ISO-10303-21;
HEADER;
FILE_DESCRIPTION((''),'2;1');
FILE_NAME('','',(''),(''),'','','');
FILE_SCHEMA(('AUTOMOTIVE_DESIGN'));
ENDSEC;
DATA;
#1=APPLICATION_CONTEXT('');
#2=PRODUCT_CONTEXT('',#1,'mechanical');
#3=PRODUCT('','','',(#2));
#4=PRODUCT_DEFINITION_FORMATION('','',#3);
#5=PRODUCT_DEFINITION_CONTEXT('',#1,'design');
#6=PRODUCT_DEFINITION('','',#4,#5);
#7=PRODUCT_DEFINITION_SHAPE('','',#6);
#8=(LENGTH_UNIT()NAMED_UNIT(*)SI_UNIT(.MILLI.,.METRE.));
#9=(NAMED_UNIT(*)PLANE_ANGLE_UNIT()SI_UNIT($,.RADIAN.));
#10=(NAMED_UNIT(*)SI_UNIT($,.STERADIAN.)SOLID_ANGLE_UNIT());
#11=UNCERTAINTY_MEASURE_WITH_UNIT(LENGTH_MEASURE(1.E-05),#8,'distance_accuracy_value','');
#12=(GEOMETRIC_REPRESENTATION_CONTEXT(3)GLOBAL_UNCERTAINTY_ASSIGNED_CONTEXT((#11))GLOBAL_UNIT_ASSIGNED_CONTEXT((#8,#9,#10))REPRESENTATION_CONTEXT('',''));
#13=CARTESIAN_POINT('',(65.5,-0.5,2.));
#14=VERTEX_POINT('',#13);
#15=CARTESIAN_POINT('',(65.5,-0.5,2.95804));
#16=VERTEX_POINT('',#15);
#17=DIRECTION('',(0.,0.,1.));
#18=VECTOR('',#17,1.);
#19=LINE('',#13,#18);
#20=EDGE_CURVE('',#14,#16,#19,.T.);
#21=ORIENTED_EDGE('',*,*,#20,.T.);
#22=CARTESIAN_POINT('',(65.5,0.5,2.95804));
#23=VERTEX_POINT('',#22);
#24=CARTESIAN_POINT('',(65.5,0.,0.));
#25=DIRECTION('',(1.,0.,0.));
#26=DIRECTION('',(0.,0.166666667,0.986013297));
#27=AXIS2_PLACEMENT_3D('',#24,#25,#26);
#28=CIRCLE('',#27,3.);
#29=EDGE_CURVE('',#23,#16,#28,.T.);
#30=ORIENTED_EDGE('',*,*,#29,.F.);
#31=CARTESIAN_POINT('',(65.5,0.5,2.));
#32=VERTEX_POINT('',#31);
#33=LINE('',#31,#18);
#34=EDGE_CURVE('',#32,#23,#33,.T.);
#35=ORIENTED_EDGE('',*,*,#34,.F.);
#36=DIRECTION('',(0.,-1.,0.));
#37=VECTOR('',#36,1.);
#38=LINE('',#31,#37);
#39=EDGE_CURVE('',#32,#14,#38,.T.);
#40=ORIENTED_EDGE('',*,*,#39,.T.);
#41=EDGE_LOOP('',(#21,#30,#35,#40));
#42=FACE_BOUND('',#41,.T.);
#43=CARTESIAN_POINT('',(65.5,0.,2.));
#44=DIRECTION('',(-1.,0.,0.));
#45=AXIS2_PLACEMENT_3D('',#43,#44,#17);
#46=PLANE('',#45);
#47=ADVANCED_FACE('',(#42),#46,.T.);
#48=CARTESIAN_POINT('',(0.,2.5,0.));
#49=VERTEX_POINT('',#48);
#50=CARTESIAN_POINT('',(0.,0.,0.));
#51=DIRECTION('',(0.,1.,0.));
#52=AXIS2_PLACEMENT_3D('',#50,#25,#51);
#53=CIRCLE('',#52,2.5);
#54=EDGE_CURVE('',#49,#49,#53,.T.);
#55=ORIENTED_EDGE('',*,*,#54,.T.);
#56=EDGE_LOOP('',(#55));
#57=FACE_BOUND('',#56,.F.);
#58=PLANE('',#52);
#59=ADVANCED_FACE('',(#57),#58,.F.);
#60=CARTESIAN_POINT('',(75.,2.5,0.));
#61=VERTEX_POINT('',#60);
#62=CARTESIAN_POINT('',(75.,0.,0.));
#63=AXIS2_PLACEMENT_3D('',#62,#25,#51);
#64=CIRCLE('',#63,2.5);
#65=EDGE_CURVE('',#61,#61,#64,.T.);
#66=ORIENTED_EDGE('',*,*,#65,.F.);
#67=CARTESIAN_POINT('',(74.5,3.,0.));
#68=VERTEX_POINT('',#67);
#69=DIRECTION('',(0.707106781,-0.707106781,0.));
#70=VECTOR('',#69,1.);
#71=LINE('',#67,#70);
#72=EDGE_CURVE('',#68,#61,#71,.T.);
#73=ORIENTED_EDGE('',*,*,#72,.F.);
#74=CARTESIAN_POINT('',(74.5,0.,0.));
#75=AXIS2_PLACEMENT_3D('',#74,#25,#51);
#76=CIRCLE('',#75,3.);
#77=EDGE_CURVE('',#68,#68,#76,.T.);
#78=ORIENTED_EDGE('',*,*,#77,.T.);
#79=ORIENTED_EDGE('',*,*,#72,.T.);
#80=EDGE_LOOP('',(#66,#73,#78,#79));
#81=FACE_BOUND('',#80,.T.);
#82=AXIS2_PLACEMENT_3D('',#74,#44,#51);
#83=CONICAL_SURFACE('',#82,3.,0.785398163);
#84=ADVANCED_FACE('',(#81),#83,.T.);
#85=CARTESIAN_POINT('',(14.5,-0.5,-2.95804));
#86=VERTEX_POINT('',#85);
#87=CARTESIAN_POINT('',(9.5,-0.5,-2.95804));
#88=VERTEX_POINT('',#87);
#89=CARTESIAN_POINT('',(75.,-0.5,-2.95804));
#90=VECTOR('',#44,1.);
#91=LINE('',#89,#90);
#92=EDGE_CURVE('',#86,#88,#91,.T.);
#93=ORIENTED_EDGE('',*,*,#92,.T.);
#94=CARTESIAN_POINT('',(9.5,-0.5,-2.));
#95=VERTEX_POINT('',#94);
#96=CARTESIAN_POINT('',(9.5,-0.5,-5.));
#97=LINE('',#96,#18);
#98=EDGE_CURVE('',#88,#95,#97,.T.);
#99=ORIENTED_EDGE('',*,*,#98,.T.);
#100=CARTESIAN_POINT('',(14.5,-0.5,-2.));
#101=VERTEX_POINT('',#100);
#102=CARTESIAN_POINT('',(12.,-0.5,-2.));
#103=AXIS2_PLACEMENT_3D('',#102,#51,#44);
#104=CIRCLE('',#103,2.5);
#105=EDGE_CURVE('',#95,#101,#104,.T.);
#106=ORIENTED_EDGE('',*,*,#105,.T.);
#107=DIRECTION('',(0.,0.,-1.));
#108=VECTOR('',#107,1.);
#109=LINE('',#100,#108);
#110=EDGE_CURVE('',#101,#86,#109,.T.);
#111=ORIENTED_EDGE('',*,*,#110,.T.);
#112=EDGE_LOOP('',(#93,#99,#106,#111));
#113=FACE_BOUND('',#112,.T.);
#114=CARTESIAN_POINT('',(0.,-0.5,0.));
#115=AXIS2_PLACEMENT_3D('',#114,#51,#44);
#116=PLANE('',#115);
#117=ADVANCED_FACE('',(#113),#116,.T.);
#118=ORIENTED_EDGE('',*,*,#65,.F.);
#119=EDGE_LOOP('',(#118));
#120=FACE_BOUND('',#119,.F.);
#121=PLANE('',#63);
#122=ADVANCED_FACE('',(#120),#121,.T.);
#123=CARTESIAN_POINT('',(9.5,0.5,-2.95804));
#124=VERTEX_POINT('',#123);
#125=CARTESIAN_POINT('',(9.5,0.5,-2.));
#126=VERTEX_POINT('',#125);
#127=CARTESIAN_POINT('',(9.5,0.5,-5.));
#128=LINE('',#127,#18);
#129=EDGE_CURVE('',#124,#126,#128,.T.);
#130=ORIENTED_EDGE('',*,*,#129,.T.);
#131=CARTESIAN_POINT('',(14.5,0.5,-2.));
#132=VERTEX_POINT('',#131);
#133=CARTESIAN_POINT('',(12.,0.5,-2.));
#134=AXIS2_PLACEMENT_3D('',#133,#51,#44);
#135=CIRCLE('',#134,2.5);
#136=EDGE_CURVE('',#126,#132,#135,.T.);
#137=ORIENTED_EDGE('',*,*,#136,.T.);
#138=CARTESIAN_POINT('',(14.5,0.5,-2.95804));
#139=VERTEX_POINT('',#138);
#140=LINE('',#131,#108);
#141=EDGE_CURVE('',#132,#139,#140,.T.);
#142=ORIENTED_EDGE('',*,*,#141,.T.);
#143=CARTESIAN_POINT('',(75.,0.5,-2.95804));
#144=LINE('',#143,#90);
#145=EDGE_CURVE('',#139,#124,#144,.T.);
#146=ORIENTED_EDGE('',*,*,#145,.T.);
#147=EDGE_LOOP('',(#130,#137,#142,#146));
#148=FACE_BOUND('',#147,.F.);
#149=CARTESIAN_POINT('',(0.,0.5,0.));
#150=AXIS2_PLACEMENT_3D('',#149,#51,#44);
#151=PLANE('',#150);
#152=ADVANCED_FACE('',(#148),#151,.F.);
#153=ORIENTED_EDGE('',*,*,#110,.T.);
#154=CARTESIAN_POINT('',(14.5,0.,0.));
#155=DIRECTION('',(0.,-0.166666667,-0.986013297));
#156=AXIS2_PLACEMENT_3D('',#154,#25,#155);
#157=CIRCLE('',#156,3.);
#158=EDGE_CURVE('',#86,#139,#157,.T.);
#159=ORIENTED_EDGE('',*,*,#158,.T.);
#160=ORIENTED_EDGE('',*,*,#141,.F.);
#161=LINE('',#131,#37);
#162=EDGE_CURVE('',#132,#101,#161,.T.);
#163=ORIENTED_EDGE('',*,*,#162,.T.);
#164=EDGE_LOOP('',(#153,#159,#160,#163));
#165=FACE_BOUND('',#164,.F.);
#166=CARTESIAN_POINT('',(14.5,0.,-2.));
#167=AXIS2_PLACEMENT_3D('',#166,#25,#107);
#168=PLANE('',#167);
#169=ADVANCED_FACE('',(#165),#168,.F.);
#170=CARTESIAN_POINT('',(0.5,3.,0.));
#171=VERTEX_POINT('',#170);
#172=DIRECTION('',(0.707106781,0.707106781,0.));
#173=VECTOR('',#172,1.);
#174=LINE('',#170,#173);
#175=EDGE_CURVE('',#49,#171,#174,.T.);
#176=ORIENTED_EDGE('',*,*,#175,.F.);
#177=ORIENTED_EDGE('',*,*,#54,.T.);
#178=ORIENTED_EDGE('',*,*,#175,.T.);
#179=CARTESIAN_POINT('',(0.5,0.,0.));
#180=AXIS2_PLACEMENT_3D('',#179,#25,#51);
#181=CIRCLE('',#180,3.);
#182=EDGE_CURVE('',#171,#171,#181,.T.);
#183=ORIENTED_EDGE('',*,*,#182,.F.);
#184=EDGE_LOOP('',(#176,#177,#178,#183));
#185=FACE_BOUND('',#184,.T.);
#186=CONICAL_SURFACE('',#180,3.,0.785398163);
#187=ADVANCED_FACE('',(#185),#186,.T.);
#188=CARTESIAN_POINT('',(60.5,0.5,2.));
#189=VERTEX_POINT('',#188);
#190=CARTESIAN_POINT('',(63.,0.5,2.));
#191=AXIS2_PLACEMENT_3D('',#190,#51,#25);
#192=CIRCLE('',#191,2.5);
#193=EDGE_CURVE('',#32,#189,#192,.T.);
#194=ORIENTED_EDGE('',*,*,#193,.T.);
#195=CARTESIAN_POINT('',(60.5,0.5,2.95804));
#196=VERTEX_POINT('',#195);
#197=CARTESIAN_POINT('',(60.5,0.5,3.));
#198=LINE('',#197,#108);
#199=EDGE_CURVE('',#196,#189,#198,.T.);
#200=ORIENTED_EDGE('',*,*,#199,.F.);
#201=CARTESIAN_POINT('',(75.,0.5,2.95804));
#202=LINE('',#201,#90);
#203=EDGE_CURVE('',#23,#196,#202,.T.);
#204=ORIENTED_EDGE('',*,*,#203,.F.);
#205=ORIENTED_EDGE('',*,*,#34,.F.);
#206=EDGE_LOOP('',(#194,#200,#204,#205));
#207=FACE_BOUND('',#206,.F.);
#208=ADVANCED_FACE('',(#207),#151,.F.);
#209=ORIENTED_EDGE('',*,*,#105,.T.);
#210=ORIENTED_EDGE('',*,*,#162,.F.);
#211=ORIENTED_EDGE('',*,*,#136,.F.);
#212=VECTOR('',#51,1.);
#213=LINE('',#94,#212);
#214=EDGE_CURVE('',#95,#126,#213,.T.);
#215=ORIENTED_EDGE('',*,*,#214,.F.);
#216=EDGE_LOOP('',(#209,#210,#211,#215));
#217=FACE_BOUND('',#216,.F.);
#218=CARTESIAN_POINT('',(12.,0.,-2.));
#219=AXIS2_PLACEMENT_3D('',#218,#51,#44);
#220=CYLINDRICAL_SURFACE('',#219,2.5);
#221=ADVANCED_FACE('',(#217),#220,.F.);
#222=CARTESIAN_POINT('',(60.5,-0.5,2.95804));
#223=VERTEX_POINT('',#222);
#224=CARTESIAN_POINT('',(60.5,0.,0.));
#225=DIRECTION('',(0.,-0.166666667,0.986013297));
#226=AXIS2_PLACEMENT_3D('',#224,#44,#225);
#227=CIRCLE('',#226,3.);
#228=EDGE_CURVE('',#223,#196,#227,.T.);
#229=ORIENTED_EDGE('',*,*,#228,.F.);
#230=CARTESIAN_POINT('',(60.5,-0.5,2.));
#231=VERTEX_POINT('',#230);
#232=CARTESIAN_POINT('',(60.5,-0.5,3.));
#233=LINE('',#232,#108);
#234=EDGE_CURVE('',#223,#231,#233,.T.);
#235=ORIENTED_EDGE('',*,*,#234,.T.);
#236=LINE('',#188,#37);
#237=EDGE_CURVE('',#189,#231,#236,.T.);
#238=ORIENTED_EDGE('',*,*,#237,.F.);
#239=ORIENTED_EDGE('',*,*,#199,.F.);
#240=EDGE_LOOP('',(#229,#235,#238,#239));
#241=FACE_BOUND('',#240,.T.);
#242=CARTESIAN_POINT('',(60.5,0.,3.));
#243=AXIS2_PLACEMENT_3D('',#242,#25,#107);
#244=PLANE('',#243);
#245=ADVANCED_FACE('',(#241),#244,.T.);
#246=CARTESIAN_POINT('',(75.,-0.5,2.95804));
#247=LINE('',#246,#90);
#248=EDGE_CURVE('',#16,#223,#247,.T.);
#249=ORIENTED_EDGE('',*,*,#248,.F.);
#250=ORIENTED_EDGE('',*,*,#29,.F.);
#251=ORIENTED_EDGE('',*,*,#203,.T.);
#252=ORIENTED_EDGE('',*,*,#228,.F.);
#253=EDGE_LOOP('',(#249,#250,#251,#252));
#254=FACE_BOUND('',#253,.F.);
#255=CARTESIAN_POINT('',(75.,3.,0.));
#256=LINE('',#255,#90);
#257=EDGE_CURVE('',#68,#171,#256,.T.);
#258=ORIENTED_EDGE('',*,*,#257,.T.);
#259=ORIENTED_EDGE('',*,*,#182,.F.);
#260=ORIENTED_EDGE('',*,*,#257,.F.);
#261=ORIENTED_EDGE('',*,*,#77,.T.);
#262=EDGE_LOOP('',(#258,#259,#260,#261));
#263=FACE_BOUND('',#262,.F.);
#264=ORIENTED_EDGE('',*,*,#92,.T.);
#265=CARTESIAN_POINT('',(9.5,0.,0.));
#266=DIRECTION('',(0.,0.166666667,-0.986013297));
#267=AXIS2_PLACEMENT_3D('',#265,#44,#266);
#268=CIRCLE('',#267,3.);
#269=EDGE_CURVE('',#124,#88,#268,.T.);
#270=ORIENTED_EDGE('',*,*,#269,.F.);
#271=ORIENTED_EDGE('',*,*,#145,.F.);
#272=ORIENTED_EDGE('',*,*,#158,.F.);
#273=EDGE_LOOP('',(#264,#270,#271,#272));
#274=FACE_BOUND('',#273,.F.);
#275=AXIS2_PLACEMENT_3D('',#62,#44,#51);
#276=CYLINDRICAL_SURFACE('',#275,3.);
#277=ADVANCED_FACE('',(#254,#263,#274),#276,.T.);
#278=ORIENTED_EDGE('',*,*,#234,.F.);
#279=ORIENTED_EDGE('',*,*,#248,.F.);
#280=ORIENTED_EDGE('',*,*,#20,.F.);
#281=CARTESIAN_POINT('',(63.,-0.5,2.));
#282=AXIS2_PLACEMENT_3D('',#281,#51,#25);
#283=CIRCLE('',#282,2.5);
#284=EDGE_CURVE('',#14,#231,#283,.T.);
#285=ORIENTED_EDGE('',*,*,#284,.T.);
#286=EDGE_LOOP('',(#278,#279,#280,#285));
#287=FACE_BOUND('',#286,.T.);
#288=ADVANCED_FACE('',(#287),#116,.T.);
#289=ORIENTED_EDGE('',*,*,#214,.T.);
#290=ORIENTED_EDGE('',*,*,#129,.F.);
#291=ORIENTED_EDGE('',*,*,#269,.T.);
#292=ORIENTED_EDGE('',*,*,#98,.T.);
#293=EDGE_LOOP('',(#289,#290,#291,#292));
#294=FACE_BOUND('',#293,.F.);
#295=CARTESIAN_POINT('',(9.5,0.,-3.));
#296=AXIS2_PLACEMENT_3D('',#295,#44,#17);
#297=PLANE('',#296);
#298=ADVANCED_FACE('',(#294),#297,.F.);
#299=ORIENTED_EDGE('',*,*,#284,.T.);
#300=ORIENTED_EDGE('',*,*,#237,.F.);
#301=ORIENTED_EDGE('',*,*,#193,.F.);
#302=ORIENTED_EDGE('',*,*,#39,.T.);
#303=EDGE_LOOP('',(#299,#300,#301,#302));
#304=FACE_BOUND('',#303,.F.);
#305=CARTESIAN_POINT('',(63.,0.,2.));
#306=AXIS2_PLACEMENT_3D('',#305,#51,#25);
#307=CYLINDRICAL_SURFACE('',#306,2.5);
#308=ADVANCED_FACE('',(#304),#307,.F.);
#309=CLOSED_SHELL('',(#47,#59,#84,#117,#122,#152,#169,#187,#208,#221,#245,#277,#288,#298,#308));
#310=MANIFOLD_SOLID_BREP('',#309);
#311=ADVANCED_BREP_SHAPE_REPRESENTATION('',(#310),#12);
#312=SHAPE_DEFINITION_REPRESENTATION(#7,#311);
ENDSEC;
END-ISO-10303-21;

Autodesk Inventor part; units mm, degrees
ref_plane "YZ Plane" through (0, 0, 0) normal (1, 0, 0) x (0, 1, 0)
ref_plane "XZ Plane" through (0, 0, 0) normal (0, 1, 0) x (-1, 0, 0)
ref_plane "XY Plane" through (0, 0, 0) normal (0, 0, 1) x (1, 0, 0)
sketch "Esboço1" plane through (0, 0, 0) normal (0, 0, 1) x (1, 0, 0)
  line L0 (0, 0) -> (75, 0)
  line L1 (75, 0) -> (75, 3)
  line L2 (75, 3) -> (0, 3)
  line L3 (0, 3) -> (0, 0)
  dimension "d0" = 75
  dimension "d1" = 3
revolve "Revolução1" add sketch "Esboço1" angle 360 about axis through (0, 0, 0) along (1, 0, 0)
sketch "Esboço2" plane through (0, 0, 0) normal (0, 1, 0) x (-1, 0, 0)
  point P0 (0, 0)
chamfer "Chanfro1" distance 0.5 angle 45 2 edges at (0, -3, 0) (75, -3, 0)
sketch "Esboço3" plane through (0, 0, 0) normal (0, 1, 0) x (-1, 0, 0)
  line L0 (0, 2.5) -> (0, -2.5) projected
  line L1 (-75, 2.5) -> (-74.5, 3) projected
  line L2 (-74.5, 3) -> (-0.5, 3) projected
  line L3 (-0.5, 3) -> (0, 2.5) projected
  line L4 (0, 2.5) -> (0, -2.5) projected
  line L5 (0, -2.5) -> (-0.5, -3) projected
  line L6 (-0.5, -3) -> (-74.5, -3) projected
  line L7 (-74.5, -3) -> (-75, -2.5) projected
  line L8 (-75, -2.5) -> (-75, 2.5) projected
  arc A0 (-9.5, -2) -> (-14.5, -2) centre (-12, -2) ccw
  line L9 (-65.5, 2) -> (-65.5, 3)
  line L10 (-60.5, 3) -> (-60.5, 2)
  arc A1 (-60.7087, 3) -> (-65.2913, 3) centre (-63, 2) ccw
  arc A2 (-65.5, 2) -> (-60.5, 2) centre (-63, 2) ccw
  line L11 (-65.5, 3) -> (-65.2913, 3)
  line L12 (-60.7087, 3) -> (-60.5, 3)
  line L13 (-75, 2.5) -> (-74.5, 3) projected
  line L14 (-74.5, 3) -> (-0.5, 3) projected
  line L15 (-0.5, 3) -> (0, 2.5) projected
  line L16 (0, 2.5) -> (0, -2.5) projected
  line L17 (0, -2.5) -> (-0.5, -3) projected
  line L18 (-0.5, -3) -> (-74.5, -3) projected
  line L19 (-74.5, -3) -> (-75, -2.5) projected
  line L20 (-75, -2.5) -> (-75, 2.5) projected
  line L21 (-0.5, -3) -> (-0.5, 3) projected
  line L22 (-74.5, 3) -> (-74.5, -3) projected
  line L23 (-75, 2.5) -> (-74.5, 3) projected
  line L24 (-74.5, 3) -> (-0.5, 3) projected
  line L25 (-0.5, 3) -> (0, 2.5) projected
  line L26 (0, 2.5) -> (0, -2.5) projected
  line L27 (0, -2.5) -> (-0.5, -3) projected
  line L28 (-0.5, -3) -> (-74.5, -3) projected
  line L29 (-74.5, -3) -> (-75, -2.5) projected
  line L30 (-75, -2.5) -> (-75, 2.5) projected
  line L31 (-14.5, -2) -> (-14.5, -5)
  line L32 (-14.5, -5) -> (-9.5, -5)
  line L33 (-9.5, -5) -> (-9.5, -2)
  point P0 (0, 0)
  point P1 (-14.5, -3)
  point P2 (-9.5, -3)
  point P3 (-14.5, -3)
  point P4 (-9.5, -3)
  dimension "d10" = 12
  dimension "d12" = 12
  dimension "d17" = 2.5
  dimension "d19" = 5
  dimension "d20" = 3
  dimension "d21" = 1
extrude "Extrusão1" cut sketch "Esboço3" against normal mid plane 1 contours L10 A2 L9 L2 | L6 L31 A0 L33 | L2 A1
properties part number "Mainpulo"
